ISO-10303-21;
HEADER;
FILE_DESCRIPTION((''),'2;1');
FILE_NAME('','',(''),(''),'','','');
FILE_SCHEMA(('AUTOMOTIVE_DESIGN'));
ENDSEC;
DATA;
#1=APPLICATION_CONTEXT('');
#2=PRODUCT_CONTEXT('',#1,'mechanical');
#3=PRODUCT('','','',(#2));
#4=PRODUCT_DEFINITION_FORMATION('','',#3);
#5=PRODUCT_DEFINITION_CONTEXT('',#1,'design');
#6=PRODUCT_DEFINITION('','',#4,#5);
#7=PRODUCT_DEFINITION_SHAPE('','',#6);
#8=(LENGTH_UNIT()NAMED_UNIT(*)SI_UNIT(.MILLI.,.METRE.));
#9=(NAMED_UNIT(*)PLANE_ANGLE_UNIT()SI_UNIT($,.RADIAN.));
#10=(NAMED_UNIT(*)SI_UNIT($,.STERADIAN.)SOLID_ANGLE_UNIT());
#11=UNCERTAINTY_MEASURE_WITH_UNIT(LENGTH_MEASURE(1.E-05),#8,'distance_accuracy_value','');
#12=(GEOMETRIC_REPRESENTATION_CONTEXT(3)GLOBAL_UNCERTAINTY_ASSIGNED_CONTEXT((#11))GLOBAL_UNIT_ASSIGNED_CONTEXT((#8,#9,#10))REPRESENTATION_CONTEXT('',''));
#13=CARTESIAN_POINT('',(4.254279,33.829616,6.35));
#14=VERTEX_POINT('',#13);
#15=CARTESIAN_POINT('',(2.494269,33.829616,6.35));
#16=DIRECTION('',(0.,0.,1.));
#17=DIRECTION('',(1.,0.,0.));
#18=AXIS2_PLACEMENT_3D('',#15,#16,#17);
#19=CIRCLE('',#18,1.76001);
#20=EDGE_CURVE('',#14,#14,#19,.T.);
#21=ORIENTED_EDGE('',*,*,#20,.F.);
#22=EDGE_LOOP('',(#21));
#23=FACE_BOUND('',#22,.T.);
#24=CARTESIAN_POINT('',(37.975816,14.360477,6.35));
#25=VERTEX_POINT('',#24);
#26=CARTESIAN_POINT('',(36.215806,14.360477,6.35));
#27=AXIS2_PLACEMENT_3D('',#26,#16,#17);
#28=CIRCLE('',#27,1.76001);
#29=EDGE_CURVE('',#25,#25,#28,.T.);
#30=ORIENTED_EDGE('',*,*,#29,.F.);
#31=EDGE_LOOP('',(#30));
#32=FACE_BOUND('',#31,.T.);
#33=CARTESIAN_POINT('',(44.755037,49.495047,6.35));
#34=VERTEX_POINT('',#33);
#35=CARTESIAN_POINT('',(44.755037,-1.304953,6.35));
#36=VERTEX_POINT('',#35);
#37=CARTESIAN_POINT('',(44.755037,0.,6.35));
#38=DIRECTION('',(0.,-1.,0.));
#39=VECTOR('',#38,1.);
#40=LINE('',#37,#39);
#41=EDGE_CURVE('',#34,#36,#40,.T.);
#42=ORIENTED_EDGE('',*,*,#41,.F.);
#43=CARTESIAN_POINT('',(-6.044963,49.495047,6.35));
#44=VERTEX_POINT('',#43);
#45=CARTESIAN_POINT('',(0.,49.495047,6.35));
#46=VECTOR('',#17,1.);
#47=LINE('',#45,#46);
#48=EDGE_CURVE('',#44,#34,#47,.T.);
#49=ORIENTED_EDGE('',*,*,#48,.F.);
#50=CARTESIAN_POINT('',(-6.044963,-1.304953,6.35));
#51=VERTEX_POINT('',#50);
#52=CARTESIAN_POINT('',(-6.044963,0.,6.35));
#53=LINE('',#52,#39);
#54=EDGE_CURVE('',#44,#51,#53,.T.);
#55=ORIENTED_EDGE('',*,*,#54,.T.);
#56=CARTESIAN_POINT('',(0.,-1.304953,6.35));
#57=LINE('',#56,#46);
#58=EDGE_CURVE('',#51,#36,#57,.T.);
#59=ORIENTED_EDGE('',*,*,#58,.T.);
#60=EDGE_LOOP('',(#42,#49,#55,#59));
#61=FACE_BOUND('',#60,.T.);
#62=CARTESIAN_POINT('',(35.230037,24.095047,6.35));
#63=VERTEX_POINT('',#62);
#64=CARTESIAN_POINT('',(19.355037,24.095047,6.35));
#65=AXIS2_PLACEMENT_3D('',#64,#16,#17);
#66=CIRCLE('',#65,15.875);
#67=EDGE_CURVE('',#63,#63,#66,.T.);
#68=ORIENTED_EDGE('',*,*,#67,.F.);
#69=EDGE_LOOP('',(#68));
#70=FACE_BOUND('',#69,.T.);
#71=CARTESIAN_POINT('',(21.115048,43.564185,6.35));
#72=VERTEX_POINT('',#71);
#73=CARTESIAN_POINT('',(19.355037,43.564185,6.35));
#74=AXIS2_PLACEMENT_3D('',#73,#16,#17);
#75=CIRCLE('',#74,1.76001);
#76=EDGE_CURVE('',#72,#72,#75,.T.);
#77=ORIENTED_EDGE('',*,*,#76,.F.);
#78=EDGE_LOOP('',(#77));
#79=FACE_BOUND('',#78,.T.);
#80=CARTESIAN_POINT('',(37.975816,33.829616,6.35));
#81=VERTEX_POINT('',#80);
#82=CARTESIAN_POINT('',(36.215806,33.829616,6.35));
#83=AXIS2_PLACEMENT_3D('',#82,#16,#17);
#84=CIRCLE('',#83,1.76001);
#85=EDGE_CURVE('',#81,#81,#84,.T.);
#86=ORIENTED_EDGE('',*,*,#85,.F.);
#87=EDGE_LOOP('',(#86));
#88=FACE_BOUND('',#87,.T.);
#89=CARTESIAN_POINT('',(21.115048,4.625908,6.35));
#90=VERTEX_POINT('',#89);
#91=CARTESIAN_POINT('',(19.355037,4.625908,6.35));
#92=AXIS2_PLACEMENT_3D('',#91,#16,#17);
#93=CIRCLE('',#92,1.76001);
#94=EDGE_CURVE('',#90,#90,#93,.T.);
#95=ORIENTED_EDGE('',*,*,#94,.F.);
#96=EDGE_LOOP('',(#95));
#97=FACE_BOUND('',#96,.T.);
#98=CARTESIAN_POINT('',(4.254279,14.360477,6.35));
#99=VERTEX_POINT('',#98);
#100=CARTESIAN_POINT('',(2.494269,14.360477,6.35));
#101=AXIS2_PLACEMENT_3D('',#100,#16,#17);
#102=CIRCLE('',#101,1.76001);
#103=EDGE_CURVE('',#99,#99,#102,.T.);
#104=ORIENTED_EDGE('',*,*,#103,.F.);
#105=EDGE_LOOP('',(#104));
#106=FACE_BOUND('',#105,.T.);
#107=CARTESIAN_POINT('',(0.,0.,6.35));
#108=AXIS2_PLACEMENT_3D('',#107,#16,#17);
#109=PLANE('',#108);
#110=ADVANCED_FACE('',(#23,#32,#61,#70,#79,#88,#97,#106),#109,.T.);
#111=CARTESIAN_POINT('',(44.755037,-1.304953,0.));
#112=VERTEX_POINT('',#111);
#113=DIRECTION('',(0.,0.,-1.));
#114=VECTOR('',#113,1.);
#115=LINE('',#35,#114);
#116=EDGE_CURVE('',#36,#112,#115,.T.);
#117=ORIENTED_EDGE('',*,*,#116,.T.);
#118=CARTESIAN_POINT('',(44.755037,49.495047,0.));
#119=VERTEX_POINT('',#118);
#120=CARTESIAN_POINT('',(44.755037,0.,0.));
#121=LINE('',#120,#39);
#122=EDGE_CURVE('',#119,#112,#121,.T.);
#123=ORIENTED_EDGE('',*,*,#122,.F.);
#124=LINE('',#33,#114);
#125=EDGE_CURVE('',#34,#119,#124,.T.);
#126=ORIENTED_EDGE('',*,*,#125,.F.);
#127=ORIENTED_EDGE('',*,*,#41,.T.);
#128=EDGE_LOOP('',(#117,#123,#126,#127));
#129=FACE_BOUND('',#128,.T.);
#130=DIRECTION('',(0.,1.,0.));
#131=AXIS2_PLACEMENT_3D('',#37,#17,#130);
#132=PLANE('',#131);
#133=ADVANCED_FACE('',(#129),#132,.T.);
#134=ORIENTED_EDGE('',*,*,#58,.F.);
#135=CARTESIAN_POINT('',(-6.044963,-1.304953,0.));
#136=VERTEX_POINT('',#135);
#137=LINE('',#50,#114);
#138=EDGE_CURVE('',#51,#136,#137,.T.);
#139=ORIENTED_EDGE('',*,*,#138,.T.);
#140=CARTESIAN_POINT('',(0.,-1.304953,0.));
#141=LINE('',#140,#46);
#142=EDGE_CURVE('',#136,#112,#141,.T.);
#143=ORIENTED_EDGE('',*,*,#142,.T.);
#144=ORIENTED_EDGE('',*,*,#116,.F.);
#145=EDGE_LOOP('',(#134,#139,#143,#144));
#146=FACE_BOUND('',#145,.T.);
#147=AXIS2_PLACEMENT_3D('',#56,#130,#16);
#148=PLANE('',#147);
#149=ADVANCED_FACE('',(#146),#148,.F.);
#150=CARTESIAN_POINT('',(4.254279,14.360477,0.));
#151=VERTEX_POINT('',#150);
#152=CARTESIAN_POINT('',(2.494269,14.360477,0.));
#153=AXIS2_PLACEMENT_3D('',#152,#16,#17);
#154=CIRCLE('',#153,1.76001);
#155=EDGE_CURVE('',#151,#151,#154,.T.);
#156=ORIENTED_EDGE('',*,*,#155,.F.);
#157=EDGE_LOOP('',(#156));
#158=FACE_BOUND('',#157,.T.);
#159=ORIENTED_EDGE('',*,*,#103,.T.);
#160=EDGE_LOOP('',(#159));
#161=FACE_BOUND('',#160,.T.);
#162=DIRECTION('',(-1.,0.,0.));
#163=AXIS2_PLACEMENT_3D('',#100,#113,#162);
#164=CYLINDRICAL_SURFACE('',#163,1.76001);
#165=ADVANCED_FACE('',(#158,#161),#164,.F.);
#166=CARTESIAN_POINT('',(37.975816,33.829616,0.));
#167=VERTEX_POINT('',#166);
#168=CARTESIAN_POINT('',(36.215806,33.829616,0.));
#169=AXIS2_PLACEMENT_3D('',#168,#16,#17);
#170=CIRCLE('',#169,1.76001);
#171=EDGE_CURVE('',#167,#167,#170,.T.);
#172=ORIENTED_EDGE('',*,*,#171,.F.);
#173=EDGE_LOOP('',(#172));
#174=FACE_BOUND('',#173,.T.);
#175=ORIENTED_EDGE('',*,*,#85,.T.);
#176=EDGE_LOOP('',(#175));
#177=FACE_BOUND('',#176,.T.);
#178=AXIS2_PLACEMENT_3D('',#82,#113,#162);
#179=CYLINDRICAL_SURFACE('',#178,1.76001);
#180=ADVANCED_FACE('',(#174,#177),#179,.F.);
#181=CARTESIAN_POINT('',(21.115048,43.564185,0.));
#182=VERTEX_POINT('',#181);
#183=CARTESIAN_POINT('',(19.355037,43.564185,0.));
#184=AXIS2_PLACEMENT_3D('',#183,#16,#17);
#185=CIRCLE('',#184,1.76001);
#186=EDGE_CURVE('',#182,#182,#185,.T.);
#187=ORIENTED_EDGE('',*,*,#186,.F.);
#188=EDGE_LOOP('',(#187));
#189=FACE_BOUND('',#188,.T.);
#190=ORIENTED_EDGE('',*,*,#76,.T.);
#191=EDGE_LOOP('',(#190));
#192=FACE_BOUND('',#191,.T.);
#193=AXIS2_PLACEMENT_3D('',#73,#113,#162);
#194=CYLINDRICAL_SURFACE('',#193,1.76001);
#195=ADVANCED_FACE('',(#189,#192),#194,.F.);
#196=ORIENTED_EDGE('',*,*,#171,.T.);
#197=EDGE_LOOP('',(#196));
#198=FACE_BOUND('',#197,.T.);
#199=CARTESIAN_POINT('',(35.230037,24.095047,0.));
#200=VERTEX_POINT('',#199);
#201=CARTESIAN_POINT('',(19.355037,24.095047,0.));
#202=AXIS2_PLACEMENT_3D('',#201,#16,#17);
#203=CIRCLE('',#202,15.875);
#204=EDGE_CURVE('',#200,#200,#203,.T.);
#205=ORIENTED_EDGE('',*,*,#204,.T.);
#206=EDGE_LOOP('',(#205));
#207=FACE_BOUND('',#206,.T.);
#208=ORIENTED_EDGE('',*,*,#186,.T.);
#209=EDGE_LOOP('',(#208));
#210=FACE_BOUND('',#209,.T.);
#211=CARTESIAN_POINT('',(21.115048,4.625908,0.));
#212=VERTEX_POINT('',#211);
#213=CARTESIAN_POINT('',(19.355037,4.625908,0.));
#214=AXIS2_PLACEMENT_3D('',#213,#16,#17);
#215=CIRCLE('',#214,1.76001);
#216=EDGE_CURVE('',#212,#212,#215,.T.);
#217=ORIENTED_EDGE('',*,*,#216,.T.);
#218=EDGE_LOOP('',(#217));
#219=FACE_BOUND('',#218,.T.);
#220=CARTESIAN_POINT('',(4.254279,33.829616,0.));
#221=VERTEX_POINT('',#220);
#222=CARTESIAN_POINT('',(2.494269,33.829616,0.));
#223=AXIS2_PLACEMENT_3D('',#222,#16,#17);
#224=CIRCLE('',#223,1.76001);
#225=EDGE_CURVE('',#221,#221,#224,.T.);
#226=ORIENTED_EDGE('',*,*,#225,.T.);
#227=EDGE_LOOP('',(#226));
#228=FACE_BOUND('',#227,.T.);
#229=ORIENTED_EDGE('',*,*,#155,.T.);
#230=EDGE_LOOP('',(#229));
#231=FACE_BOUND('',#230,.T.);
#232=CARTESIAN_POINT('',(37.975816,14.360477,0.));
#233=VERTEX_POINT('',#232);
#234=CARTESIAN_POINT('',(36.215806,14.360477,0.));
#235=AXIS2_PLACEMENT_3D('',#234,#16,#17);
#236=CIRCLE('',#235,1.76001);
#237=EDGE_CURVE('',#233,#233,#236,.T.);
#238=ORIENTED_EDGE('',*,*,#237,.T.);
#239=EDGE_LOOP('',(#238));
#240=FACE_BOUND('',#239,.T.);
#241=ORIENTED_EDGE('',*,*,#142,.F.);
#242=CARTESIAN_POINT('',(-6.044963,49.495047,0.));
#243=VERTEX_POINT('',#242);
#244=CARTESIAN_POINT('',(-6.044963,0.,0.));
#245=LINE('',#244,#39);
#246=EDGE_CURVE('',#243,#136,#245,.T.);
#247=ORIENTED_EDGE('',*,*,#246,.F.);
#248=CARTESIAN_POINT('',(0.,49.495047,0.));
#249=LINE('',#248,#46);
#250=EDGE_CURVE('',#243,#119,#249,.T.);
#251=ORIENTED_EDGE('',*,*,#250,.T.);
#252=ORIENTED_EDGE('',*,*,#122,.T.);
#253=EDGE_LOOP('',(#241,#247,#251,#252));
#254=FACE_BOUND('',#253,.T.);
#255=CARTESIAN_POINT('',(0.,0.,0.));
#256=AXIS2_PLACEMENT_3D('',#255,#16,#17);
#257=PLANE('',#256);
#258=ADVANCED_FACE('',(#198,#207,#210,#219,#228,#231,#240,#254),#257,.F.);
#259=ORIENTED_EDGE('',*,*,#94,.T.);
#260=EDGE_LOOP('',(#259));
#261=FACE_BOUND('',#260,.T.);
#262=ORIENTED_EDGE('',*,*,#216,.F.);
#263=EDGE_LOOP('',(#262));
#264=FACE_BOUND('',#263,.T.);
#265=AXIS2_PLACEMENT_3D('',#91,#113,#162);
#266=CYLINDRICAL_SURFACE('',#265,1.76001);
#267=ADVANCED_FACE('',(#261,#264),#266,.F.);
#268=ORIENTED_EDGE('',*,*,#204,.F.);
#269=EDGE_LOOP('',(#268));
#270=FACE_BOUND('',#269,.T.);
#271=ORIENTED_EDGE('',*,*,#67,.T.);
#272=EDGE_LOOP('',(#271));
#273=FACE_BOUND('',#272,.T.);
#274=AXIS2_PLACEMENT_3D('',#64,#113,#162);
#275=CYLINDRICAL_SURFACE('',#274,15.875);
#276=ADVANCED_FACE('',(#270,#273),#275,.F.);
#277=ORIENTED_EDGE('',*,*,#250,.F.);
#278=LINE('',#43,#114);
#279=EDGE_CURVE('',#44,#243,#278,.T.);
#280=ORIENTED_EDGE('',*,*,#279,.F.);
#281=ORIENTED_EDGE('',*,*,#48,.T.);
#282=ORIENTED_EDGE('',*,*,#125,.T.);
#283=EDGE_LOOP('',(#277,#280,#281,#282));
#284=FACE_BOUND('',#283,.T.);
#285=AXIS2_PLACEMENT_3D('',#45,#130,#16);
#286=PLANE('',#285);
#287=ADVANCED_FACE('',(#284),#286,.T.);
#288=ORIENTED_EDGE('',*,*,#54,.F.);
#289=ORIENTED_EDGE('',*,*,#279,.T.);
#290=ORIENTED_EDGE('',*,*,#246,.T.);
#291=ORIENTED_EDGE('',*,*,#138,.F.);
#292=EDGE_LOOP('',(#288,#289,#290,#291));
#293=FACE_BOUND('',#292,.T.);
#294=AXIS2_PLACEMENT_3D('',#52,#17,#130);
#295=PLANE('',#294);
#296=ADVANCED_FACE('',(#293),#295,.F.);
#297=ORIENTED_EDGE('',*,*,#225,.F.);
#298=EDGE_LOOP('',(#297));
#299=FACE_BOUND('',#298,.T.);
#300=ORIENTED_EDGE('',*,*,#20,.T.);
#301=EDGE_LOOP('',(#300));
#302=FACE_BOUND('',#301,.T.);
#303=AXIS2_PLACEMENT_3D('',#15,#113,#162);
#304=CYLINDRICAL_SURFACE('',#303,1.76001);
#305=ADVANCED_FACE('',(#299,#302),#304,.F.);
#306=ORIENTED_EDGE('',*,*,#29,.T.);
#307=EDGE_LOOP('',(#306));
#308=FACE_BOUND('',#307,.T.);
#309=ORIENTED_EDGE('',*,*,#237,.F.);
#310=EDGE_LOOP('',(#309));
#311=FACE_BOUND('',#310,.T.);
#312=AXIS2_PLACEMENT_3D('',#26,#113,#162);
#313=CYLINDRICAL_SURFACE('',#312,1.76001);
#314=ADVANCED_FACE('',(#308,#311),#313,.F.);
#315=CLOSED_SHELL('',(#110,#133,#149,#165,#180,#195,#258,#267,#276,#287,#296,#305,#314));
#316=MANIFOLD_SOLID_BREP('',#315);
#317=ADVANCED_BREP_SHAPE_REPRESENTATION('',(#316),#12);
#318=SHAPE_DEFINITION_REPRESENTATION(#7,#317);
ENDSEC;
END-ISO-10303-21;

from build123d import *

# Parameters (mm, degrees)
SKETCH1_W           = 50.8
SKETCH1_H           = 50.8
SKETCH1_R           = 15.875
BOSS_EXTRUDE1_DEPTH = 6.35


with BuildPart() as part:
    # Sketch1 → Boss-Extrude1 (new body)
    with BuildSketch(Plane.XY):
        with Locations((19.355037388, 24.095046544)):
            Rectangle(SKETCH1_W, SKETCH1_H)
        with Locations((19.355037388, 24.095046544)):
            Circle(SKETCH1_R, mode=Mode.SUBTRACT)
        with BuildLine():
            ThreePointArc((34.45579594, 14.360477203), (36.215806077, 12.600467066), (37.975816214, 14.360477203))
            ThreePointArc((37.975816214, 14.360477203), (36.215806077, 16.12048734), (34.45579594, 14.360477203))
        make_face(mode=Mode.SUBTRACT)
        with BuildLine():
            ThreePointArc((21.115047525, 4.625907862), (19.355037388, 6.385917999), (17.595027251, 4.625907862))
            ThreePointArc((17.595027251, 4.625907862), (19.355037388, 2.865897725), (21.115047525, 4.625907862))
        make_face(mode=Mode.SUBTRACT)
        with BuildLine():
            ThreePointArc((17.595027251, 43.564185227), (19.355037388, 41.80417509), (21.115047525, 43.564185227))
            ThreePointArc((21.115047525, 43.564185227), (19.355037388, 45.324195364), (17.595027251, 43.564185227))
        make_face(mode=Mode.SUBTRACT)
        with BuildLine():
            ThreePointArc((37.975816214, 33.829615886), (36.215806077, 35.589626023), (34.45579594, 33.829615886))
            ThreePointArc((34.45579594, 33.829615886), (36.215806077, 32.069605749), (37.975816214, 33.829615886))
        make_face(mode=Mode.SUBTRACT)
        with BuildLine():
            ThreePointArc((0.734258563, 33.829615886), (2.494268699, 32.069605749), (4.254278836, 33.829615886))
            ThreePointArc((4.254278836, 33.829615886), (2.494268699, 35.589626023), (0.734258563, 33.829615886))
        make_face(mode=Mode.SUBTRACT)
        with BuildLine():
            ThreePointArc((4.254278836, 14.360477203), (2.494268699, 16.12048734), (0.734258563, 14.360477203))
            ThreePointArc((0.734258563, 14.360477203), (2.494268699, 12.600467066), (4.254278836, 14.360477203))
        make_face(mode=Mode.SUBTRACT)
    extrude(amount=BOSS_EXTRUDE1_DEPTH)


solid = part.part
